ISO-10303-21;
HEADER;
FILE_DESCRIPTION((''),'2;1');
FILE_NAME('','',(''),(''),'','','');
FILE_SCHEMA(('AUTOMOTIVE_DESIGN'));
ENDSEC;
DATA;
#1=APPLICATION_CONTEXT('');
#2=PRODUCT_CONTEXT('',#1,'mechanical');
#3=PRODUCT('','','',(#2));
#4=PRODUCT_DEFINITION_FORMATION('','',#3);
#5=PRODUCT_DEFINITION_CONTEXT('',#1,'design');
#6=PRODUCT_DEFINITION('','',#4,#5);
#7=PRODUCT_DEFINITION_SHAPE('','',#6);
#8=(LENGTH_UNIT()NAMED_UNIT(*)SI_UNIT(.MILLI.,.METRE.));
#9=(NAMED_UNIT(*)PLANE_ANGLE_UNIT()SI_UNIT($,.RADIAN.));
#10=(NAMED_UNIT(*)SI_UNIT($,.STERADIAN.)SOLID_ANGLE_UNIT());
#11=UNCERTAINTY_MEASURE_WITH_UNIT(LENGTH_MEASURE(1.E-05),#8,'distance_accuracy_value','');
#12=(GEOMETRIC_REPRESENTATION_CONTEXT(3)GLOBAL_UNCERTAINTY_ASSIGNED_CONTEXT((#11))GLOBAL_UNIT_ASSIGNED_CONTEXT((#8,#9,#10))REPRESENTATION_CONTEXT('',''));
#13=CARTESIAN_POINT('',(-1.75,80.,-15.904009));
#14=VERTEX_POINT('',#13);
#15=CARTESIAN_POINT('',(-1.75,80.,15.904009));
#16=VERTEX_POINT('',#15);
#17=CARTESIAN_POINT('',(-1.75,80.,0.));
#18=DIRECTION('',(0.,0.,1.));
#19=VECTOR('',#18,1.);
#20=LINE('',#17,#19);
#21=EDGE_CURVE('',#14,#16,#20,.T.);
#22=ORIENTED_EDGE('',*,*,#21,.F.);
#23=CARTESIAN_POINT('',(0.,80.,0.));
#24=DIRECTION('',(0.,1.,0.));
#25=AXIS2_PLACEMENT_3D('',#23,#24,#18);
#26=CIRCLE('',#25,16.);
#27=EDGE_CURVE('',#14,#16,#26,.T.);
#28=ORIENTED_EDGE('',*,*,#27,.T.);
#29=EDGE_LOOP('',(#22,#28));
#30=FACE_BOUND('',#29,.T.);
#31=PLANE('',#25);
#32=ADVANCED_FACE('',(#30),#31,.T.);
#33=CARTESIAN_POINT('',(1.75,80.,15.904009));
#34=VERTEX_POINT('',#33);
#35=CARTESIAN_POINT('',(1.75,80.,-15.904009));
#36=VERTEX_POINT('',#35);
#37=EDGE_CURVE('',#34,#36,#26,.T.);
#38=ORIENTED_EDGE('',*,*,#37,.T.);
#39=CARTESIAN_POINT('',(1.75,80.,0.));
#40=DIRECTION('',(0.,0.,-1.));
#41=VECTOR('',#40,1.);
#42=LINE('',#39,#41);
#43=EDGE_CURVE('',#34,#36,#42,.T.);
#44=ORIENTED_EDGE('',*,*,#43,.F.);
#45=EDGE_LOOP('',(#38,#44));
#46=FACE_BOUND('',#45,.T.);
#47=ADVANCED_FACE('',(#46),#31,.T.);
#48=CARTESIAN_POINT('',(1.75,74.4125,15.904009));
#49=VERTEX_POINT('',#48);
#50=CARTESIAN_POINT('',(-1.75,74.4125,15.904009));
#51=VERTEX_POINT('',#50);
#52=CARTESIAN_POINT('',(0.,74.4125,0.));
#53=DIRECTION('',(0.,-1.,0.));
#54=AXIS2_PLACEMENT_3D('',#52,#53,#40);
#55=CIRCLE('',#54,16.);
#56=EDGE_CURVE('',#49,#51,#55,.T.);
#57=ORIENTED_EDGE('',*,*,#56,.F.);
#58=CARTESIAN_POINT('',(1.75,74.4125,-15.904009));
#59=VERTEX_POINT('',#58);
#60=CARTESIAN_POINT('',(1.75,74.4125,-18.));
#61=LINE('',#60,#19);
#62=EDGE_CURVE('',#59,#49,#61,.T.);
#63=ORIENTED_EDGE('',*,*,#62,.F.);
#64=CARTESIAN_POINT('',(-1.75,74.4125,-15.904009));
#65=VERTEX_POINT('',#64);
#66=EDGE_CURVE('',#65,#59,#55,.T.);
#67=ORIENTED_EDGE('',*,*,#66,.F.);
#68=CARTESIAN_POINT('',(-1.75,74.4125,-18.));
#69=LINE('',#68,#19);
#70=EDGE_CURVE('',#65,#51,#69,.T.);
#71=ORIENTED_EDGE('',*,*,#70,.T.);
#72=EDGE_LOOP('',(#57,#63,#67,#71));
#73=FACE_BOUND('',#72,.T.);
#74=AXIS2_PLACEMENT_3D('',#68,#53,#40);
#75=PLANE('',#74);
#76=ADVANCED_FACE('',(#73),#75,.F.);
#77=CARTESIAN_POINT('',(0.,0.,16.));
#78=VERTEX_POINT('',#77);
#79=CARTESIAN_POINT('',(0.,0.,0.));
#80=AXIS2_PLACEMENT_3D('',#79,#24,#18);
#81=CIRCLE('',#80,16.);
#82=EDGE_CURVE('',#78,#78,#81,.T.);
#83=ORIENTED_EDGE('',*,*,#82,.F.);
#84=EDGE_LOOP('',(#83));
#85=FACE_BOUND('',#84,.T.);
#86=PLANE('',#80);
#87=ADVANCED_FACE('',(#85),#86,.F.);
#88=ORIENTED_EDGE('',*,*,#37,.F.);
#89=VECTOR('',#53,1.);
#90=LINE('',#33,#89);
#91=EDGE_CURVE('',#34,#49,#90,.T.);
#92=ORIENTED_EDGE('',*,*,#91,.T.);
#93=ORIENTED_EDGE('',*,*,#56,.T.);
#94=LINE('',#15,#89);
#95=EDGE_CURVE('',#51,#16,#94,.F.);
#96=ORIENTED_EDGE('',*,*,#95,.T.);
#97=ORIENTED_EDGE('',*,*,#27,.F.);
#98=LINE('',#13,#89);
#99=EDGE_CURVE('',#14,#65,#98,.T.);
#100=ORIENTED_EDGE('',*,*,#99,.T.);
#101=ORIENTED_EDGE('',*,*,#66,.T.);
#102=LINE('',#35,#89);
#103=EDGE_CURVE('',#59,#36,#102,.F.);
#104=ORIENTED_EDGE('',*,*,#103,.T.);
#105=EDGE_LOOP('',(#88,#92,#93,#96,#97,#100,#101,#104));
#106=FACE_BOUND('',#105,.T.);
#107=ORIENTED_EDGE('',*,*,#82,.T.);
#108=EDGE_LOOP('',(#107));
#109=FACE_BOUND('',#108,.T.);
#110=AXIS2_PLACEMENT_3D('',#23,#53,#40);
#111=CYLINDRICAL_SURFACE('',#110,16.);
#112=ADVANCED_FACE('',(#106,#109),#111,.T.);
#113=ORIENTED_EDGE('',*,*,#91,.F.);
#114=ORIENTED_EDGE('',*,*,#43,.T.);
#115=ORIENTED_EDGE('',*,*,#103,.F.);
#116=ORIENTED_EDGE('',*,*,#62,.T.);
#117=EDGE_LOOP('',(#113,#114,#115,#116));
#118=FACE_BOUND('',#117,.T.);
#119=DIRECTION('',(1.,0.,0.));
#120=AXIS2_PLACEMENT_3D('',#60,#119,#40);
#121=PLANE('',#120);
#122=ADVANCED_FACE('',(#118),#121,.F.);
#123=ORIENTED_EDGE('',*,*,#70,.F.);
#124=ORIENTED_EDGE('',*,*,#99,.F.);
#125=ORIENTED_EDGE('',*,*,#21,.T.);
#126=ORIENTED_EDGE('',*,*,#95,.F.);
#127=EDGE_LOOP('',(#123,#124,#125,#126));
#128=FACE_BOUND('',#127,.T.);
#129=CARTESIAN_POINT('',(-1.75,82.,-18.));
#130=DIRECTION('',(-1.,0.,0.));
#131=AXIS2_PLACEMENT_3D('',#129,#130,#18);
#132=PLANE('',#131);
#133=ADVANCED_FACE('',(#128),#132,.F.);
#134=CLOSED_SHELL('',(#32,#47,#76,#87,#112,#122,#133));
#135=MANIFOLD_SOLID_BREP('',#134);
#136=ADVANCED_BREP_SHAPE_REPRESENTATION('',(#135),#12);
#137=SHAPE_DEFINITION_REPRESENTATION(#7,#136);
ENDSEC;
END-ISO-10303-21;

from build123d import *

# Parameters (mm, degrees)
SKETCH1_R           = 16
BOSS_EXTRUDE1_DEPTH = 80
SKETCH2_W           = 3.5
SKETCH2_H           = 7.5875
CUT_EXTRUDE1_DEPTH  = 18


with BuildPart() as part:
    # Sketch1 → Boss-Extrude1 (new body)
    with BuildSketch(Plane(origin=(0, 0, 0), x_dir=(1, 0, 0), z_dir=(0, 1, 0))):
        with Locations(Location((0, 0, 0), (0, 0, 270))):
            Circle(SKETCH1_R)
    extrude(amount=BOSS_EXTRUDE1_DEPTH)

    # Sketch2 → Cut-Extrude1 (cut, symmetric)
    with BuildSketch(Plane.XY):
        with Locations((0, 78.20625)):
            Rectangle(SKETCH2_W, SKETCH2_H)
    extrude(amount=CUT_EXTRUDE1_DEPTH, both=True, mode=Mode.SUBTRACT)


solid = part.part
